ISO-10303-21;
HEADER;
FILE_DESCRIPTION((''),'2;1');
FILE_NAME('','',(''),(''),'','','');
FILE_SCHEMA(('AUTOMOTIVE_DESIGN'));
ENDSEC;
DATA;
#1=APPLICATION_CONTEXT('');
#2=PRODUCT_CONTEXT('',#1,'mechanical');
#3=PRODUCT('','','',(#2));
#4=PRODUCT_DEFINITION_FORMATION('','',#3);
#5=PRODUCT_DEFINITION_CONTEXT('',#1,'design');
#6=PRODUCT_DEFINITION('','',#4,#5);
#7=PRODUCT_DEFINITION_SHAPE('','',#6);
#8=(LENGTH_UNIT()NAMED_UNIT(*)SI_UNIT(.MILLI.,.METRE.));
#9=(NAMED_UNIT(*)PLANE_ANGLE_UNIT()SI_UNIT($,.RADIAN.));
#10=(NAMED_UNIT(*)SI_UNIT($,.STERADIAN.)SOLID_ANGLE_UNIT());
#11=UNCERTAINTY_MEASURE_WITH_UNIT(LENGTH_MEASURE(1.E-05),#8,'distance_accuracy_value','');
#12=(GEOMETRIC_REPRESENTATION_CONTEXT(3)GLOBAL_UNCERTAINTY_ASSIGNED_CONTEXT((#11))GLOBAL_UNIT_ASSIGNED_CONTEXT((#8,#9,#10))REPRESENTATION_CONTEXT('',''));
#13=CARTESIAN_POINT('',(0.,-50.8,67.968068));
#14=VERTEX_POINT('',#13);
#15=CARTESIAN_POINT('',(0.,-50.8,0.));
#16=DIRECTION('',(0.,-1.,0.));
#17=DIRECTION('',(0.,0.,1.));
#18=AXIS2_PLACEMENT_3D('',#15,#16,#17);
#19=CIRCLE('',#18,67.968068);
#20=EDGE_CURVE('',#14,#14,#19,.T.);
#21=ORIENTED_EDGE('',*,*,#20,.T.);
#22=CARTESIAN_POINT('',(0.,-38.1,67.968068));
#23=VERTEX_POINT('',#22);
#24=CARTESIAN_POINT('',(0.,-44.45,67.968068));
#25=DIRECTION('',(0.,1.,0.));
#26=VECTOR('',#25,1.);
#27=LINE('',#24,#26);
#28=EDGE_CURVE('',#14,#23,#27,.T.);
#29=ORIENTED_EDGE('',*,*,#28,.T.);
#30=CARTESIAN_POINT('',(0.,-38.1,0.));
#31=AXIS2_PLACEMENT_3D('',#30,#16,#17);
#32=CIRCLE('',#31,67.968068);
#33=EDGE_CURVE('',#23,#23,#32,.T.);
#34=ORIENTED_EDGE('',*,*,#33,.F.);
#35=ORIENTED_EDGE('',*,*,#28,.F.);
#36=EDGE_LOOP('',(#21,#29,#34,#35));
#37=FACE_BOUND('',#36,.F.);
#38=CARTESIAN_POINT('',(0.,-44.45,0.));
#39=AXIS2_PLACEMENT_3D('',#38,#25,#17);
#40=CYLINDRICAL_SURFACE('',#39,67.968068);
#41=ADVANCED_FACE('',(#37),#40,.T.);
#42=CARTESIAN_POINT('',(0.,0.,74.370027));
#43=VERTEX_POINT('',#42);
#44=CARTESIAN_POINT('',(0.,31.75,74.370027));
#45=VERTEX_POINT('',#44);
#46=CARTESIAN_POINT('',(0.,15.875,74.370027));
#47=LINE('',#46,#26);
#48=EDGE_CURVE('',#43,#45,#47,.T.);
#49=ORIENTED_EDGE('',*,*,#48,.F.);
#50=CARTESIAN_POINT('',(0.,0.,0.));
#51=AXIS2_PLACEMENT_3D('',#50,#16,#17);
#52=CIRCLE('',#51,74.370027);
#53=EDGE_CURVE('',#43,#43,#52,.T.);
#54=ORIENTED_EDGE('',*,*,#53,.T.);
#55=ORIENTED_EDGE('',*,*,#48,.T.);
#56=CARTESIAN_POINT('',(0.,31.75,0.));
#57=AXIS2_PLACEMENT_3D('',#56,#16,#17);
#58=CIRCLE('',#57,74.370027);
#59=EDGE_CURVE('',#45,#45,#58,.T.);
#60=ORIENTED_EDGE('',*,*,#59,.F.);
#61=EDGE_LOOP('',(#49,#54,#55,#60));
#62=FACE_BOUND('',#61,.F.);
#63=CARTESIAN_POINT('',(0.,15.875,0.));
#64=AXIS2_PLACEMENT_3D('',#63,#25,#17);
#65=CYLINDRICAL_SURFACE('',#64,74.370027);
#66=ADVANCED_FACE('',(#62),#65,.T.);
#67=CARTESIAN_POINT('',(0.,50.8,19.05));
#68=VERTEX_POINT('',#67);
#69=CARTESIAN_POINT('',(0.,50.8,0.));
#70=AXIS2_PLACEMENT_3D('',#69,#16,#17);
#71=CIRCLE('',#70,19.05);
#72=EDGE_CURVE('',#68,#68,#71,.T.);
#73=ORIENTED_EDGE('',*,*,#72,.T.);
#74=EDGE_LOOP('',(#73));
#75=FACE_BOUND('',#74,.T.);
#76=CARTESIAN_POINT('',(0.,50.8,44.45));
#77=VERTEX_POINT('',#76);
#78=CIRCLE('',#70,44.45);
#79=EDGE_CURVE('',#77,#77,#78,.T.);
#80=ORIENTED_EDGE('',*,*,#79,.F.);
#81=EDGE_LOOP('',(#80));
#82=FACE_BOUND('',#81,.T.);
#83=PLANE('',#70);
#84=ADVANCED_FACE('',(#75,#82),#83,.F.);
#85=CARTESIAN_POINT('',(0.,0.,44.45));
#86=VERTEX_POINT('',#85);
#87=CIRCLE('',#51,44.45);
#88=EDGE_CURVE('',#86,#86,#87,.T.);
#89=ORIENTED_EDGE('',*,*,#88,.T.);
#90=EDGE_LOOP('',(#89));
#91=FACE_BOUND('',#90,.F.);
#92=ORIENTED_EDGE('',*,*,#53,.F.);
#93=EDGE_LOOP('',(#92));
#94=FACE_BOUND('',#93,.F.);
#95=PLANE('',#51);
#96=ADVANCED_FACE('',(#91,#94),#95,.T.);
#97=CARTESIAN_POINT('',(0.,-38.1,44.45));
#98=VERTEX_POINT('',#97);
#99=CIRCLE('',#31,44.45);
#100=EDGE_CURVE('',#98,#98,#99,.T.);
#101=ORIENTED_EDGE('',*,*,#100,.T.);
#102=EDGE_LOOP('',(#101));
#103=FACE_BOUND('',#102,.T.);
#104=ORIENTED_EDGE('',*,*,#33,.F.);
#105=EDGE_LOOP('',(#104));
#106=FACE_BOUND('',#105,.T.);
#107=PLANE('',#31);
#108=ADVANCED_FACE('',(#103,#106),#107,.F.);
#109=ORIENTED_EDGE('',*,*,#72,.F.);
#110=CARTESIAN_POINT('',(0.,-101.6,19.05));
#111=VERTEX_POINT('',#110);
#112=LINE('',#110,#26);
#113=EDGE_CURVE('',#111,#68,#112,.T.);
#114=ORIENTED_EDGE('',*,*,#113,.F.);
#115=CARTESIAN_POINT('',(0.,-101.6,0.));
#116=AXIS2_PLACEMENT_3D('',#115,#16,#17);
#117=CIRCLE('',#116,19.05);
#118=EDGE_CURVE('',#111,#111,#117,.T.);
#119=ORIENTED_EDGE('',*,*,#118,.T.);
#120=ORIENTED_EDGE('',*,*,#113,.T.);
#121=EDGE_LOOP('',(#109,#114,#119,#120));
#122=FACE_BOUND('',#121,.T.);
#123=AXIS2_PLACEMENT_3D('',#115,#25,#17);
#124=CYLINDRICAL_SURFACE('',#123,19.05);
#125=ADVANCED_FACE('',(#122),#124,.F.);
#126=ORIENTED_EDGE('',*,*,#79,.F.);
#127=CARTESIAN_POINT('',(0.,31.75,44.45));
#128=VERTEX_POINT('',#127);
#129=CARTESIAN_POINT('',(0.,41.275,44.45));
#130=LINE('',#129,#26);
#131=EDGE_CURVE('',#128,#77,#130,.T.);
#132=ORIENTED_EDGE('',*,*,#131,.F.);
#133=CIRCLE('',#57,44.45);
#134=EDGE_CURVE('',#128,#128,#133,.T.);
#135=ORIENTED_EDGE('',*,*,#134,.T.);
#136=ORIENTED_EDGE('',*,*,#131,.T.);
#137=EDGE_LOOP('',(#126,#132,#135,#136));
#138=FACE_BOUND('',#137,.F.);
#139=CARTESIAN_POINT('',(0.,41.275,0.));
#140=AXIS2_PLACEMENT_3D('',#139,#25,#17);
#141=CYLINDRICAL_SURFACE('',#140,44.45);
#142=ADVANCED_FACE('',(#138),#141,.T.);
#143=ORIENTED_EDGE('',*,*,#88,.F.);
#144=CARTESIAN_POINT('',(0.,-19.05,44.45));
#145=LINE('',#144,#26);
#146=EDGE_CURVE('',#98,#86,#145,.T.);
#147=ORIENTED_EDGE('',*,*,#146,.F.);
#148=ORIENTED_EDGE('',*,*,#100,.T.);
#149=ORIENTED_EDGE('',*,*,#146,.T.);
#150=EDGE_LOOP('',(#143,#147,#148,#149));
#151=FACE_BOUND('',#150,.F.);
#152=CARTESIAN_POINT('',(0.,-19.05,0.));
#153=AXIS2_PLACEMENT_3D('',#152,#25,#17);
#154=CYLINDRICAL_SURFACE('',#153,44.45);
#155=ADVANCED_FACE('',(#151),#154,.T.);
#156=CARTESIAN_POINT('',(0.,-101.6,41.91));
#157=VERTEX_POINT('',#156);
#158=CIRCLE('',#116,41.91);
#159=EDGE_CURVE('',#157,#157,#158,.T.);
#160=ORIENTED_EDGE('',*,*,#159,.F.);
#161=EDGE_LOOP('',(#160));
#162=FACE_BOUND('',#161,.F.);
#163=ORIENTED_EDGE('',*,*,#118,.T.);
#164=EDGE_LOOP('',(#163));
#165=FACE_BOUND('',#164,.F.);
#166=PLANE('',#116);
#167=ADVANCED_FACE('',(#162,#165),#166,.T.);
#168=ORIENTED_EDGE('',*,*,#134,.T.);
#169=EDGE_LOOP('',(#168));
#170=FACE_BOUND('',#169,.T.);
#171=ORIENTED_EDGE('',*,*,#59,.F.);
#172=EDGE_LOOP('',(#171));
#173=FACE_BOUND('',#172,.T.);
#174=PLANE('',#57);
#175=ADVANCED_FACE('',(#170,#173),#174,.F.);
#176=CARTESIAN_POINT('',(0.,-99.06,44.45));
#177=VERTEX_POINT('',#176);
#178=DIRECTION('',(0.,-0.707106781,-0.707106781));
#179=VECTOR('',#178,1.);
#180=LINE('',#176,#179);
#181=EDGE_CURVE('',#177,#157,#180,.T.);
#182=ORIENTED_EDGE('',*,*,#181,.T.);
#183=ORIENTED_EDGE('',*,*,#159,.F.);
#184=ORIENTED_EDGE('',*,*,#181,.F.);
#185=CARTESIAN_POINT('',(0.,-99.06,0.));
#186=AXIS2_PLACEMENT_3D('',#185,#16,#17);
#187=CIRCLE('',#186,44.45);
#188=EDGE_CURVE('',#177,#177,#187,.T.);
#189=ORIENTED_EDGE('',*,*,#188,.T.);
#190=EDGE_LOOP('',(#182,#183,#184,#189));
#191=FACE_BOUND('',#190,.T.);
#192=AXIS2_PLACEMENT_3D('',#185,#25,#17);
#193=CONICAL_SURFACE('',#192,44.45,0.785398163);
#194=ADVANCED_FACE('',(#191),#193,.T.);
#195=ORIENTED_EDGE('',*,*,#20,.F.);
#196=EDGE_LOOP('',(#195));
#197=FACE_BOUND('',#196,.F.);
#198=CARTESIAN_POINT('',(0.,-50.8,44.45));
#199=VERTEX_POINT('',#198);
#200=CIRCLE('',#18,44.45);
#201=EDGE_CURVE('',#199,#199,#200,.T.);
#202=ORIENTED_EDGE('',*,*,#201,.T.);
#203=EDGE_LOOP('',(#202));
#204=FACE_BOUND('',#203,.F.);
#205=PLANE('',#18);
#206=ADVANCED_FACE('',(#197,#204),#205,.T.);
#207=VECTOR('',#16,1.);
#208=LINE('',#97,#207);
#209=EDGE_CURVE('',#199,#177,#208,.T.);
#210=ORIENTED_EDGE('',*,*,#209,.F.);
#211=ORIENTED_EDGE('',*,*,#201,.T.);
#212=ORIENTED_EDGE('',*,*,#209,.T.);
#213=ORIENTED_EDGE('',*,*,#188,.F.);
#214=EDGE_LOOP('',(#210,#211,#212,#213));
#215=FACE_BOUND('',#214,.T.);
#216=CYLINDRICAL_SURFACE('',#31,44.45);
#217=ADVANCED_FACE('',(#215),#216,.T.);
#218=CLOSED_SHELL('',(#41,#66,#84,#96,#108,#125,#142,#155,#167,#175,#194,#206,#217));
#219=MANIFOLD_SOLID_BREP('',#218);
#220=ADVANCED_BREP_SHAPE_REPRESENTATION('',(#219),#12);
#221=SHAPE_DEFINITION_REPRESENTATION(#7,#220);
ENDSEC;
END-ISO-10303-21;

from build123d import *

# Parameters (mm, degrees)
F0_W    = 12.7
F0_H    = 25.4
F0_W_2  = 50.8
F0_W_3  = 19.05
F0_W_4  = 31.75
F0_H_2  = 29.9200265884
F0_H_3  = 23.518068409
F0_W_5  = 38.1
F2_SIZE = 2.54


with BuildPart() as f1:
    # F0 (on Right) → F1 (revolve)
    with BuildSketch(Plane.YZ):
        with Locations((-44.45, 31.75)):
            Rectangle(F0_W, F0_H)
        with Locations((-76.2, 31.75)):
            Rectangle(F0_W_2, F0_H)
        with Locations((41.275, 31.75)):
            Rectangle(F0_W_3, F0_H)
        with Locations((15.875, 59.4100132942)):
            Rectangle(F0_W_4, F0_H_2)
        with Locations((-44.45, 56.2090342045)):
            Rectangle(F0_W, F0_H_3)
        with Locations((-19.05, 31.75)):
            Rectangle(F0_W_5, F0_H)
        with Locations((15.875, 31.75)):
            Rectangle(F0_W_4, F0_H)
    revolve(axis=Axis((0, -50.8, 0), (0, -1, 0)))

    # F2
    f2_edges = [f1.edges().sort_by_distance(p)[0] for p in [
        (0, -101.6, -44.45),
    ]]
    chamfer(f2_edges, length=F2_SIZE)


solid = f1.part
